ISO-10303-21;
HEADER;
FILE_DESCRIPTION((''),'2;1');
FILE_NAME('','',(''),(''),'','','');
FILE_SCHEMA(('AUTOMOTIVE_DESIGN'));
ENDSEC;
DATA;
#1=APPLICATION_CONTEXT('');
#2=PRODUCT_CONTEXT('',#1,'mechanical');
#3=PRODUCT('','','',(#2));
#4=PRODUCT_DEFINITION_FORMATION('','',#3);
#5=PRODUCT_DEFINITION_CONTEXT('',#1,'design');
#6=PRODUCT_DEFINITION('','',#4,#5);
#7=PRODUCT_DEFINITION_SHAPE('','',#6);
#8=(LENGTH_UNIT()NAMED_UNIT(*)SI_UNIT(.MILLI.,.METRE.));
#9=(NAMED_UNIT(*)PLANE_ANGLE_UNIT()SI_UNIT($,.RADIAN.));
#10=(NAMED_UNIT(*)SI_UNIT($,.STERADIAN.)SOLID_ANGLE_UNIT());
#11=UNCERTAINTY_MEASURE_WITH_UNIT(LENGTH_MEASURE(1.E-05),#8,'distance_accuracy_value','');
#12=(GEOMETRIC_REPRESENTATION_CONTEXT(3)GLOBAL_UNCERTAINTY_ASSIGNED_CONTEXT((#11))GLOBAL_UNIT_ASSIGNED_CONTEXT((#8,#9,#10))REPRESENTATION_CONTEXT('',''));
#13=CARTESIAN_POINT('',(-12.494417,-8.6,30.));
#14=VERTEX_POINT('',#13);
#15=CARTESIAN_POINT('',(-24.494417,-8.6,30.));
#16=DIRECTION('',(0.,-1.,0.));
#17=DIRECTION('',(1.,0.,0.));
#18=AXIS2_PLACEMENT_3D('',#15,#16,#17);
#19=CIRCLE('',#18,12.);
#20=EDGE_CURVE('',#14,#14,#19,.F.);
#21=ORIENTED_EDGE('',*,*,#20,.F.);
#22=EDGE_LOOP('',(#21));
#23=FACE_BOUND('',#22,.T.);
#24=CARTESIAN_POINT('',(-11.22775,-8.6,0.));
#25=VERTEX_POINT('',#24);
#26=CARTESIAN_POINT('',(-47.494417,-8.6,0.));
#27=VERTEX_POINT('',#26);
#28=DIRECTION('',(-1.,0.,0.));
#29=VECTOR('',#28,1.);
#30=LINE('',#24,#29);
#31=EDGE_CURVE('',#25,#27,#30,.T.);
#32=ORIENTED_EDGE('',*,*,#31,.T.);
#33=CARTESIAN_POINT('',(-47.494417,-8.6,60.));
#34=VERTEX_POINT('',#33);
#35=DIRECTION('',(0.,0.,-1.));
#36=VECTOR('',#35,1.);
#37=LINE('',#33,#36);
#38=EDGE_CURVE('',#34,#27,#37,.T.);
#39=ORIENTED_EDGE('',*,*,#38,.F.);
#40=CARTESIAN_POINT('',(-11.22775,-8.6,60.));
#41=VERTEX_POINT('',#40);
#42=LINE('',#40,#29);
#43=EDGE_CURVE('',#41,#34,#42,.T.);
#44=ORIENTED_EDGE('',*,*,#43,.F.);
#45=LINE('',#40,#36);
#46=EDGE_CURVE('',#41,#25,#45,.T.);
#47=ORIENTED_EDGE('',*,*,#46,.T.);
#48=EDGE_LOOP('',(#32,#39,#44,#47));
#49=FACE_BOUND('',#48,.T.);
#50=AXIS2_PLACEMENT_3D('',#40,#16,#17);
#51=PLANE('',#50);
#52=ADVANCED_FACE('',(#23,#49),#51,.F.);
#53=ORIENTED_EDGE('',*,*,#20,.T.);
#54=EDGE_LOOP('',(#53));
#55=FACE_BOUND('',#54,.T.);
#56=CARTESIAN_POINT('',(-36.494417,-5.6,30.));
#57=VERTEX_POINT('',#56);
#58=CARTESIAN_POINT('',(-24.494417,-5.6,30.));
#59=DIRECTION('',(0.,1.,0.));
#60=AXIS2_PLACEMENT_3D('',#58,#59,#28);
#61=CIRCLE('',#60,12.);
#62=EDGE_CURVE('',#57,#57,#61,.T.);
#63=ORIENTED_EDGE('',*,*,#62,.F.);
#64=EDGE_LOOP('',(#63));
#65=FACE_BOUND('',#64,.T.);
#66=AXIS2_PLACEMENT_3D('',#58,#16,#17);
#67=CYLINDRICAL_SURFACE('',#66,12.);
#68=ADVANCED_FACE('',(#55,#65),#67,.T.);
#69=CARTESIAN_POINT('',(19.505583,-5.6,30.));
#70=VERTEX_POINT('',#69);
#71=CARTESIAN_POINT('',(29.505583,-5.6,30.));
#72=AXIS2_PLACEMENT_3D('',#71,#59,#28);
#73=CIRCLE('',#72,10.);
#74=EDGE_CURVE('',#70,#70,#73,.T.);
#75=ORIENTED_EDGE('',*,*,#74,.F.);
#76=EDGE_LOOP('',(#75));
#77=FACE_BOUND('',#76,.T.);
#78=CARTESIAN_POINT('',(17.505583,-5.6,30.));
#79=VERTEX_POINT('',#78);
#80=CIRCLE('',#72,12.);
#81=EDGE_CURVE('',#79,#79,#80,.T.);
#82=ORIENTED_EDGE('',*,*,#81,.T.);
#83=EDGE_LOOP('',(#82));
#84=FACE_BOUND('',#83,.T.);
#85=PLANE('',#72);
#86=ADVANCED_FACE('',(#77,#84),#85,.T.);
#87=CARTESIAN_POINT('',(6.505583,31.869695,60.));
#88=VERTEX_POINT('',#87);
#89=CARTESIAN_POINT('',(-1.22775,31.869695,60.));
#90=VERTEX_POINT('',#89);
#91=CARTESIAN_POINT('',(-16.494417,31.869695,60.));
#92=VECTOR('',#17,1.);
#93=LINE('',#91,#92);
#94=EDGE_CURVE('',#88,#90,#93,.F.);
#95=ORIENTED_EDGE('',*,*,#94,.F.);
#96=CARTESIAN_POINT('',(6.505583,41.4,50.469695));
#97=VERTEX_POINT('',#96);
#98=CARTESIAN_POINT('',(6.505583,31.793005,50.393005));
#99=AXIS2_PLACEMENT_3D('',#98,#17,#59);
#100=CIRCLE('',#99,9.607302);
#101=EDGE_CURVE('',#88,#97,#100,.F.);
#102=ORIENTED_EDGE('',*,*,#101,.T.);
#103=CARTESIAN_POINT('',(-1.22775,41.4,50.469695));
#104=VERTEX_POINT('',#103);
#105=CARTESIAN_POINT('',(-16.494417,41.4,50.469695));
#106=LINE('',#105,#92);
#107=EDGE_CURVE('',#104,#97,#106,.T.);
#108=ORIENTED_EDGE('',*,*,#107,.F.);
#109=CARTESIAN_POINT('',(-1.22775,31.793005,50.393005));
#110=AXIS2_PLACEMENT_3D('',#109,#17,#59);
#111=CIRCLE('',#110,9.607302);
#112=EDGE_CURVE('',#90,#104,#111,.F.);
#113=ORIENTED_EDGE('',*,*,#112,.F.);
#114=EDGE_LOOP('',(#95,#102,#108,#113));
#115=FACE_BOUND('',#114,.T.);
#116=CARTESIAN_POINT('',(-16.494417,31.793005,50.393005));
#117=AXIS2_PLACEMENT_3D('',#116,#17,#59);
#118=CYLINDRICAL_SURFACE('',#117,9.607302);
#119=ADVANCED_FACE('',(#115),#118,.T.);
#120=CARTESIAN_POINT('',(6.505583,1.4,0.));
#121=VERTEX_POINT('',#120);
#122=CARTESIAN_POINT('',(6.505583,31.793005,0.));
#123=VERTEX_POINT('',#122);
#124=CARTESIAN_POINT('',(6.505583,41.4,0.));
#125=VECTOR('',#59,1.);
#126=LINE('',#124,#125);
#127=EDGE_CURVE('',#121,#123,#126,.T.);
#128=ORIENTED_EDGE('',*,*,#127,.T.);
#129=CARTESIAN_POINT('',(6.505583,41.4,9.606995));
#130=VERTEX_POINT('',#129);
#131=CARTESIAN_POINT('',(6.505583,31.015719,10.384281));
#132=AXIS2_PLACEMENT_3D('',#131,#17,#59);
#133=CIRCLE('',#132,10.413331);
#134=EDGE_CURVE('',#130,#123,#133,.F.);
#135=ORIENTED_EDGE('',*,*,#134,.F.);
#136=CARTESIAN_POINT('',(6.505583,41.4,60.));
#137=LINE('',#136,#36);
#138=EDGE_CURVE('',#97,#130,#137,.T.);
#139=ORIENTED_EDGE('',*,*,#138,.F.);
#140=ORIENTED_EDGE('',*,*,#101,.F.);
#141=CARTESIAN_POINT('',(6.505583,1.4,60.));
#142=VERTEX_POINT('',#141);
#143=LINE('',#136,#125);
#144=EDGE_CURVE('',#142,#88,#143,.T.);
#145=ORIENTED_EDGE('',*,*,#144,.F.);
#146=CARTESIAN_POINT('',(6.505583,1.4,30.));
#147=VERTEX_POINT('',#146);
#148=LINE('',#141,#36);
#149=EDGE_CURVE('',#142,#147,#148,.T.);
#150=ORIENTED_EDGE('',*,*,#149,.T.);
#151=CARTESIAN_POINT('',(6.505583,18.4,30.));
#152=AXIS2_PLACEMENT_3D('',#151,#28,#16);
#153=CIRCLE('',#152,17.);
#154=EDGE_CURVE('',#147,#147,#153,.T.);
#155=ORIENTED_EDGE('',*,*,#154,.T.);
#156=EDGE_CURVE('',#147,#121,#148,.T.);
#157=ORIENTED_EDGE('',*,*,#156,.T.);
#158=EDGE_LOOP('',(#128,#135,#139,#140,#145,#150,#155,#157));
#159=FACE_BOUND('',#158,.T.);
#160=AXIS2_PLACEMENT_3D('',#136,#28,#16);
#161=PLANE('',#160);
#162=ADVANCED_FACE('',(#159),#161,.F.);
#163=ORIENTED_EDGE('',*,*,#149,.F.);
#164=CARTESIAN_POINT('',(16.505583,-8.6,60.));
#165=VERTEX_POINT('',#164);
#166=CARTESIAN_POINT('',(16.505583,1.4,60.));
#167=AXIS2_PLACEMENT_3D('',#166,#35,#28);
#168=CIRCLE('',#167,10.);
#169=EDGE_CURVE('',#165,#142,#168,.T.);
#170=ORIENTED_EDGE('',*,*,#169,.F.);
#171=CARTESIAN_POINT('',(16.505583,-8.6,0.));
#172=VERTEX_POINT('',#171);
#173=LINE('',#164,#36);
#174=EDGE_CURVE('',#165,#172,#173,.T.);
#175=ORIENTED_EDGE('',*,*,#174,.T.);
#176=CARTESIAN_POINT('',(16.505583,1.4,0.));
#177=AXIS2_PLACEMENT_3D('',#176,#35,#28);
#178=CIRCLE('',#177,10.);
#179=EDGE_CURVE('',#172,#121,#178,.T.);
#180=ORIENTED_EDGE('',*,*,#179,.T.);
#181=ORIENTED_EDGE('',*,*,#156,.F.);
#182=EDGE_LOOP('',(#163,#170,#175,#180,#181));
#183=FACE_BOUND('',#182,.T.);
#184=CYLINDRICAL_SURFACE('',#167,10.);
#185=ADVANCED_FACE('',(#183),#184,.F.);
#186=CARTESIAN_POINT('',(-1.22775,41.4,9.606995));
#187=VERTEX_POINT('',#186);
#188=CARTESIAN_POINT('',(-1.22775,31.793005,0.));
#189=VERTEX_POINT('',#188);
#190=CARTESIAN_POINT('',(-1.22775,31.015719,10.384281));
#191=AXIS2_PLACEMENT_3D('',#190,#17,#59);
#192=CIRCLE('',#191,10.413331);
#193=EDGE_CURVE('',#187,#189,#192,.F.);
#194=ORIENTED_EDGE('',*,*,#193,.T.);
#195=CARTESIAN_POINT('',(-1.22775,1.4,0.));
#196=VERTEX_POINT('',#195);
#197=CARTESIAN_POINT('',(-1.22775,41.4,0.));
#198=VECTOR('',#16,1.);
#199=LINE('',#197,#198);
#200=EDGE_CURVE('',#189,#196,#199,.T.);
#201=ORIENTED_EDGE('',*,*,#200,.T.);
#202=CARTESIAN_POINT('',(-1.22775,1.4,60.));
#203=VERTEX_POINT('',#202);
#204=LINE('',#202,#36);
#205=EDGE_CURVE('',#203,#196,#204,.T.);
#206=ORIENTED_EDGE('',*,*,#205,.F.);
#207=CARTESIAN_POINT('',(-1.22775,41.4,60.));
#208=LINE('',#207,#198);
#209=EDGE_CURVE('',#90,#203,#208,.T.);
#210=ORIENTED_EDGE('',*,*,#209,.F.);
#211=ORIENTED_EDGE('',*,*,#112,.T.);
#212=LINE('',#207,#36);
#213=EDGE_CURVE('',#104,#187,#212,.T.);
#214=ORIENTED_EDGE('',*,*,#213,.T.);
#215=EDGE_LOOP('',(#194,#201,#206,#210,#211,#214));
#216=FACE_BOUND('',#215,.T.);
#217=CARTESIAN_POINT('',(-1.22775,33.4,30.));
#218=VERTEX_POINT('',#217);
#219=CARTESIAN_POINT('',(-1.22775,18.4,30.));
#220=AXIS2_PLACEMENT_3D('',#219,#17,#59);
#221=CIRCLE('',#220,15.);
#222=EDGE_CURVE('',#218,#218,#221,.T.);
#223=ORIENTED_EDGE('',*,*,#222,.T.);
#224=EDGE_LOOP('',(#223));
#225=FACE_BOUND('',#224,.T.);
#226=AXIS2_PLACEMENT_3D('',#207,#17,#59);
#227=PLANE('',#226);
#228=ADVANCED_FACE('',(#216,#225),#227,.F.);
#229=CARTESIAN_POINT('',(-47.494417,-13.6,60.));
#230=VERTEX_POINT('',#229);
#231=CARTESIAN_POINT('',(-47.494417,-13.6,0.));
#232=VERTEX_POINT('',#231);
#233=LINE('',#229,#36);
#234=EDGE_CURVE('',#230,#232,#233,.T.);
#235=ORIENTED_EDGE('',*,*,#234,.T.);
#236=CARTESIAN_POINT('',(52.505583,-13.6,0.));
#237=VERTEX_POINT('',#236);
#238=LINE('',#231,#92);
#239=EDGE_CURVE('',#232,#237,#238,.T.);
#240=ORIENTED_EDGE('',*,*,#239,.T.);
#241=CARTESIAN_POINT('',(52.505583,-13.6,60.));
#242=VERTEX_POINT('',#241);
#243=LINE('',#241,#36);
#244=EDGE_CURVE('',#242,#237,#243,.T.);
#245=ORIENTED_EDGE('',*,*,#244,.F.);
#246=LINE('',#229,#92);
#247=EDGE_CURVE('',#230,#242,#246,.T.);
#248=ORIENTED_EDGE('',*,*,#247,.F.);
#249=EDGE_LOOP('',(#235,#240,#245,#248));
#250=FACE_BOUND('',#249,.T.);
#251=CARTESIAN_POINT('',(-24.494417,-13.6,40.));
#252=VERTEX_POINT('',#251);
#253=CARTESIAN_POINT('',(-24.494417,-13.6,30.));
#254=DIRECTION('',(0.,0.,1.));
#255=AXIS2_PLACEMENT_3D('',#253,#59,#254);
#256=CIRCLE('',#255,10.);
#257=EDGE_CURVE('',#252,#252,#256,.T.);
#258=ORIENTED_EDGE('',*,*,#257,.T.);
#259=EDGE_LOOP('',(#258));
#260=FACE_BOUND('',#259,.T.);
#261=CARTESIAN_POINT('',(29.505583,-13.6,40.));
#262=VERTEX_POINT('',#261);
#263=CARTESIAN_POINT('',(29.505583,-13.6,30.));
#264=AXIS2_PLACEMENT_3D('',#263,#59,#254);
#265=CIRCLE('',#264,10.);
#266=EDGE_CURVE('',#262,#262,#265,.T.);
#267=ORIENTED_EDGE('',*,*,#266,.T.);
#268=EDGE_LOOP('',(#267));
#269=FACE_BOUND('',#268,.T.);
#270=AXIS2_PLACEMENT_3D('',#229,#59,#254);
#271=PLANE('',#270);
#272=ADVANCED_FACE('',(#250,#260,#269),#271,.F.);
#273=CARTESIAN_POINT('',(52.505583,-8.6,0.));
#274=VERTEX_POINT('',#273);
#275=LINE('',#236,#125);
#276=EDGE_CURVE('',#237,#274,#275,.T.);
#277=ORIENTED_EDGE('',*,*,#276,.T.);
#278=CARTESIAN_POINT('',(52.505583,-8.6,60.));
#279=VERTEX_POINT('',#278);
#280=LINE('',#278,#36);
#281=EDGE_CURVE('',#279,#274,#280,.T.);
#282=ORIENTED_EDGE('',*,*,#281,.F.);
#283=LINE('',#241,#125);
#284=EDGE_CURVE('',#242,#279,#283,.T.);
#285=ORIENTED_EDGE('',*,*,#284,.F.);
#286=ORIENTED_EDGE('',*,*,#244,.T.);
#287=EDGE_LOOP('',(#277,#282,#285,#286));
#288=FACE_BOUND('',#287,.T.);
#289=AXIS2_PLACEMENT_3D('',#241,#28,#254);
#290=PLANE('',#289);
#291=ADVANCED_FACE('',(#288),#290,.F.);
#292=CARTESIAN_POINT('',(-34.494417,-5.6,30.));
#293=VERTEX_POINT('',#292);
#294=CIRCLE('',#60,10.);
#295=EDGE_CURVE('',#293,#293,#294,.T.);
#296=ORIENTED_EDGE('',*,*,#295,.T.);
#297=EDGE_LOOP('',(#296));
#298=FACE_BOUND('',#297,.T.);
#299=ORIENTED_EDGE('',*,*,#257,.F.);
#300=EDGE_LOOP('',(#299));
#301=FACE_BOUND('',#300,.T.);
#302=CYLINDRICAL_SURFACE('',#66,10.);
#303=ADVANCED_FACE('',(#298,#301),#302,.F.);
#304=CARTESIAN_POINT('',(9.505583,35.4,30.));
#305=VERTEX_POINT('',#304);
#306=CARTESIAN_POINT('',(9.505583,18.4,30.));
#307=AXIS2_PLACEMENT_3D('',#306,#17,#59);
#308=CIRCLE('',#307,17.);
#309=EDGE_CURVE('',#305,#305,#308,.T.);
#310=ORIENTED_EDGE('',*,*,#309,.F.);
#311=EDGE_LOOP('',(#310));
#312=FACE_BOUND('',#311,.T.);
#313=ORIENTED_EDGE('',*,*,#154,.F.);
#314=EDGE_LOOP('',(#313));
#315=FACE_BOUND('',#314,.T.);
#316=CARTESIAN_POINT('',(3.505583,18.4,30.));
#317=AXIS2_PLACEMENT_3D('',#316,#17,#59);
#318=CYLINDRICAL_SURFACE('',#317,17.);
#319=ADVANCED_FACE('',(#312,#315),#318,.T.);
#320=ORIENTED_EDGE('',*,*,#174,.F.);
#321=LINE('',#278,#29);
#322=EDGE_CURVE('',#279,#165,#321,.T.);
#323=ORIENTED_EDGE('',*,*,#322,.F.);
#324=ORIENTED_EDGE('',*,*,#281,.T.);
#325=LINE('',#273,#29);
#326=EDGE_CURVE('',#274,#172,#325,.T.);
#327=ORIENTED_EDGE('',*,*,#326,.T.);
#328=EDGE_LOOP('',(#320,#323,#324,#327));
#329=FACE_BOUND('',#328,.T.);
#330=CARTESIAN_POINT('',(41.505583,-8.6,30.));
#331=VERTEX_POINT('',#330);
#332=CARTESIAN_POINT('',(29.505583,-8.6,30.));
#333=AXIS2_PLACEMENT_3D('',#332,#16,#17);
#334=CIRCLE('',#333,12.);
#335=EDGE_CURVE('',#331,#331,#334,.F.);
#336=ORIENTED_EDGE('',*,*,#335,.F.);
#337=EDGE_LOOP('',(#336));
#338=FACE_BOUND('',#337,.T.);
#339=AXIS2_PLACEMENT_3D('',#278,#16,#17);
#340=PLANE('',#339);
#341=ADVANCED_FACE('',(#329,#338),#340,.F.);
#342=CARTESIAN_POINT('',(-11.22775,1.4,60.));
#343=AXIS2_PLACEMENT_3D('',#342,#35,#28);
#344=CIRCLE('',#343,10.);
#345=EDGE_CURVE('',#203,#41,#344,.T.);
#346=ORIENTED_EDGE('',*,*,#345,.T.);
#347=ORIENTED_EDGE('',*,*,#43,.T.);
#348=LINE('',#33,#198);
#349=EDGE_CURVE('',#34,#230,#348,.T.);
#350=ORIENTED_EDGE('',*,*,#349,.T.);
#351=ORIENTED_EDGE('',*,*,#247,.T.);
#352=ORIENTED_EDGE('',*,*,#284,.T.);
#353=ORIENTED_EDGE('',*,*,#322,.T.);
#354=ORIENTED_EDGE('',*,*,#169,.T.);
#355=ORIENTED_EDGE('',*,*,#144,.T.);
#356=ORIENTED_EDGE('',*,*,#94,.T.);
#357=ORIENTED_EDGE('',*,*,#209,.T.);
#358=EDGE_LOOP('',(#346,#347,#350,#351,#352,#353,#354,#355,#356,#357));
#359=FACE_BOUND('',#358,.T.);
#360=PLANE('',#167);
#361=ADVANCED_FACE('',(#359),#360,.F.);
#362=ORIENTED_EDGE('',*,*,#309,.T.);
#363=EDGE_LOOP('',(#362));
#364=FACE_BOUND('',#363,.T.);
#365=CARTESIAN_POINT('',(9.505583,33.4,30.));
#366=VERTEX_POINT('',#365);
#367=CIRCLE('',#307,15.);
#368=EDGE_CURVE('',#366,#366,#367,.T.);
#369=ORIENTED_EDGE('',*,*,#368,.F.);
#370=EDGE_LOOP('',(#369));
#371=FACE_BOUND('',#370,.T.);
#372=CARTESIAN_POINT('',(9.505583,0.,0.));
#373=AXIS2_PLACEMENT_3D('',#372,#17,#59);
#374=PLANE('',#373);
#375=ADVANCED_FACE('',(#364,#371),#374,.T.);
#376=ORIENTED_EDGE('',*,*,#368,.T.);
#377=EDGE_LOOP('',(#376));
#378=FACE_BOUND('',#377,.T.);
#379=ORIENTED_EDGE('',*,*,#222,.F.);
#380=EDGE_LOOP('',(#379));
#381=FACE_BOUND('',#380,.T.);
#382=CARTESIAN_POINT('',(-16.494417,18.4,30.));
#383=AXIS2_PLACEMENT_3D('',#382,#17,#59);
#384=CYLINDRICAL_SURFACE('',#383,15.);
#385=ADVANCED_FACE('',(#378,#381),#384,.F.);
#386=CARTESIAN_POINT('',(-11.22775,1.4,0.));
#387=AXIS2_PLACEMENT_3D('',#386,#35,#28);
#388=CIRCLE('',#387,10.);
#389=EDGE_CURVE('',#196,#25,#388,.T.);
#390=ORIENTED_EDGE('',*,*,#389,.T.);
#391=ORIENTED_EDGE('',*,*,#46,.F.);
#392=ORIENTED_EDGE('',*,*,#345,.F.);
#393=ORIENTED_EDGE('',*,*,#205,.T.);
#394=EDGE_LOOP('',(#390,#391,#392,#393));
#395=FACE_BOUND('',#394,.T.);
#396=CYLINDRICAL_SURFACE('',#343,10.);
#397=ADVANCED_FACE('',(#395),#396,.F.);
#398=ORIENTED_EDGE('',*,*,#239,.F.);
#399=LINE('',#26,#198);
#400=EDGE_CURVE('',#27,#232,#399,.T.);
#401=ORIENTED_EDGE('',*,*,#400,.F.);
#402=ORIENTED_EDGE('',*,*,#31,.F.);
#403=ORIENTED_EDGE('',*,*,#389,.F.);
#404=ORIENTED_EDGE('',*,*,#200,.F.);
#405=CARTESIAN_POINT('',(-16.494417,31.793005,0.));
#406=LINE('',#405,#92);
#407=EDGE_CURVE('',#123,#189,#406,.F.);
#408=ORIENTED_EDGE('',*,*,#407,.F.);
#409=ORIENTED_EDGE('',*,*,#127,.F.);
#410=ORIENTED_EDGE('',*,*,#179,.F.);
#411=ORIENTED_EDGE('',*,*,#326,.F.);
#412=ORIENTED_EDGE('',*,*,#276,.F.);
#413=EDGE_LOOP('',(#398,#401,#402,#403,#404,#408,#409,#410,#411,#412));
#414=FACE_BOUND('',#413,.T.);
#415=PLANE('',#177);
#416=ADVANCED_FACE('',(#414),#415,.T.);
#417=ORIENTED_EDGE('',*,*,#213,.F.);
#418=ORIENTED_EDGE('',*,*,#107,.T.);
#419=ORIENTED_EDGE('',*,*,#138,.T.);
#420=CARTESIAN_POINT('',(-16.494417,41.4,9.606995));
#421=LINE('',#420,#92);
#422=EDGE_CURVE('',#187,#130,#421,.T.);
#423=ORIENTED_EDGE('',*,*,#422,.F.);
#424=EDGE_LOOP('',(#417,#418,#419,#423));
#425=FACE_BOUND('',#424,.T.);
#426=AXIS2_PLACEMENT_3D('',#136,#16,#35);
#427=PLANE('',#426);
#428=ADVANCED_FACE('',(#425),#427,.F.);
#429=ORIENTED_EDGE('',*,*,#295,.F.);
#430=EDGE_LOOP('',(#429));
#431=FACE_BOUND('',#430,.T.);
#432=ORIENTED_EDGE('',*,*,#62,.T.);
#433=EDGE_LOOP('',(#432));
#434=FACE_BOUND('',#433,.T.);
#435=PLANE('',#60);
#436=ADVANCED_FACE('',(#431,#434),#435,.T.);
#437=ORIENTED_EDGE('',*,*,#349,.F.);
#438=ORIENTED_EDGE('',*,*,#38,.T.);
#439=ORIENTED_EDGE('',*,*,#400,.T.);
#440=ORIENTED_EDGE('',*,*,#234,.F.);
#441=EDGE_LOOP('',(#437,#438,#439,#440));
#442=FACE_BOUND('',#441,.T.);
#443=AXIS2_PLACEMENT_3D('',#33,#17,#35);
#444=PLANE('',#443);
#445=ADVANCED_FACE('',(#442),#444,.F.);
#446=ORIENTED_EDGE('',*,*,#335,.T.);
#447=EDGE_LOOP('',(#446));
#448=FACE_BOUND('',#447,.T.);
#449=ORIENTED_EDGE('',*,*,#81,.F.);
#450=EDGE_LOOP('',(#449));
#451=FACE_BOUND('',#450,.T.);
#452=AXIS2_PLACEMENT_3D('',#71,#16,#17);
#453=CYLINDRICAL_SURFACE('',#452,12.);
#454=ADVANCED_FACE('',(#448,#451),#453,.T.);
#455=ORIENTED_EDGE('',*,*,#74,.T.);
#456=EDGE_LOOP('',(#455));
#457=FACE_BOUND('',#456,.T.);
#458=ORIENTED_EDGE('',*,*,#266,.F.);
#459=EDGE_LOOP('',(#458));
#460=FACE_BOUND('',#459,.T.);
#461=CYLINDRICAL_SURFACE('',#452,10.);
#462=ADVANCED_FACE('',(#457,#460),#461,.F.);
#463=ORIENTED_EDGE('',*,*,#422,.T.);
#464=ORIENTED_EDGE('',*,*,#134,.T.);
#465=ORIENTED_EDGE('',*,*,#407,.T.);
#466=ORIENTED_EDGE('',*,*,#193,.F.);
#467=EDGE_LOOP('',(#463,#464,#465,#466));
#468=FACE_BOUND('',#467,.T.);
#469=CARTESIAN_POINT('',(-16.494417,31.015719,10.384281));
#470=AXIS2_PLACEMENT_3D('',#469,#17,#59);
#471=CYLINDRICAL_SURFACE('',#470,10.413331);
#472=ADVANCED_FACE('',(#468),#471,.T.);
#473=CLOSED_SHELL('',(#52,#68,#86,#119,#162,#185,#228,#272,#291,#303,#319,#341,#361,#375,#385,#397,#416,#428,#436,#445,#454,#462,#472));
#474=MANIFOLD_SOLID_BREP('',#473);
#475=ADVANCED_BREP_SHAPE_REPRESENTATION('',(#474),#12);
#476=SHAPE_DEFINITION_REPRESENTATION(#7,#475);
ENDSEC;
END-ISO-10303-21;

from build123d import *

# Parameters (mm, degrees)
BOSS_EXTRUDE1_DEPTH      = 60
SKETCH2_R                = 12
SKETCH2_R_2              = 10
BOSS_EXTRUDE3_DEPTH      = 3
CUT_EXTRUDE3_START       = -53
SKETCH10_R               = 10
CUT_EXTRUDE3_DEPTH       = 53
SKETCH11_5_R             = 15
CUT_EXTRUDE4_DEPTH       = 23
BOSS_EXTRUDE7_DEPTH      = 3
BOSS_EXTRUDE7_DEPTH_BACK = 3
SKETCH11_R               = 17
SKETCH11_R_2             = 15


with BuildPart() as part:
    # Sketch1 → Boss-Extrude1 (new body)
    with BuildSketch(Plane.XY):
        with BuildLine():
            Line((-47.49441662, -13.6), (52.50558338, -13.6))
            Line((52.50558338, -13.6), (52.50558338, -8.6))
            Line((52.50558338, -8.6), (16.50558338, -8.6))
            ThreePointArc((16.50558338, -8.6), (9.434515568, -5.671067812), (6.50558338, 1.4))
            Line((6.50558338, 1.4), (6.50558338, 41.4))
            Line((6.50558338, 41.4), (-1.227749954, 41.4))
            Line((-1.227749954, 41.4), (-1.227749954, 1.4))
            ThreePointArc((-1.227749954, 1.4), (-4.156682142, -5.671067812), (-11.227749954, -8.6))
            Line((-11.227749954, -8.6), (-47.49441662, -8.6))
            Line((-47.49441662, -8.6), (-47.49441662, -13.6))
        make_face()
    extrude(amount=BOSS_EXTRUDE1_DEPTH)

    # Sketch2 → Boss-Extrude3 (add)
    # profile 1 of 2: a face of its own
    with BuildSketch(Plane(origin=(0, -8.6, 0), x_dir=(1, 0, 0), z_dir=(0, 1, 0))):
        with Locations((-24.49441662, -30)):
            Circle(SKETCH2_R)
        with Locations((-24.49441662, -30)):
            Circle(SKETCH2_R_2, mode=Mode.SUBTRACT)
    # profile 2 of 2: a face of its own
    with BuildSketch(Plane(origin=(0, -8.6, 0), x_dir=(1, 0, 0), z_dir=(0, 1, 0))):
        with Locations((29.50558338, -30)):
            Circle(SKETCH2_R)
        with Locations((29.50558338, -30)):
            Circle(SKETCH2_R_2, mode=Mode.SUBTRACT)
    extrude(amount=BOSS_EXTRUDE3_DEPTH)

    # Sketch10 → Cut-Extrude3 (cut)
    with BuildSketch(Plane(origin=(0, -8.6, 0), x_dir=(1, 0, 0), z_dir=(0, 1, 0)).offset(CUT_EXTRUDE3_START)):
        with Locations((-24.49441662, -30)):
            Circle(SKETCH10_R)
        with Locations((29.50558338, -30)):
            Circle(SKETCH10_R)
    extrude(amount=CUT_EXTRUDE3_DEPTH, mode=Mode.SUBTRACT)

    # Sketch11<5> → Cut-Extrude4 (cut)
    with BuildSketch(Plane(origin=(6.50558338, 0, 0), x_dir=(0, 0, -1), z_dir=(1, 0, 0))):
        with Locations((-30, 18.4)):
            Circle(SKETCH11_5_R)
        with BuildLine():
            Line((0, 41.4), (-9.606995457, 41.4))
            ThreePointArc((-9.606995457, 41.4), (-3.020943995, 38.379056005), (0, 31.793004543))
            Line((0, 31.793004543), (0, 41.4))
        make_face()
        with BuildLine():
            Line((-60, 41.4), (-60, 31.869694824))
            ThreePointArc((-60, 31.869694824), (-57.186392619, 38.586392619), (-50.469694824, 41.4))
            Line((-50.469694824, 41.4), (-60, 41.4))
        make_face()
    extrude(amount=-CUT_EXTRUDE4_DEPTH, mode=Mode.SUBTRACT)

    # Sketch11 → Boss-Extrude7 (add, two sides: drawn at the far end of the back side and taken through both)
    with BuildSketch(Plane(origin=(6.50558338, 0, 0), x_dir=(0, 0, -1), z_dir=(1, 0, 0)).offset(-BOSS_EXTRUDE7_DEPTH_BACK)):
        with Locations((-30, 18.4)):
            Circle(SKETCH11_R)
        with Locations((-30, 18.4)):
            Circle(SKETCH11_R_2, mode=Mode.SUBTRACT)
    extrude(amount=BOSS_EXTRUDE7_DEPTH + BOSS_EXTRUDE7_DEPTH_BACK)


solid = part.part
